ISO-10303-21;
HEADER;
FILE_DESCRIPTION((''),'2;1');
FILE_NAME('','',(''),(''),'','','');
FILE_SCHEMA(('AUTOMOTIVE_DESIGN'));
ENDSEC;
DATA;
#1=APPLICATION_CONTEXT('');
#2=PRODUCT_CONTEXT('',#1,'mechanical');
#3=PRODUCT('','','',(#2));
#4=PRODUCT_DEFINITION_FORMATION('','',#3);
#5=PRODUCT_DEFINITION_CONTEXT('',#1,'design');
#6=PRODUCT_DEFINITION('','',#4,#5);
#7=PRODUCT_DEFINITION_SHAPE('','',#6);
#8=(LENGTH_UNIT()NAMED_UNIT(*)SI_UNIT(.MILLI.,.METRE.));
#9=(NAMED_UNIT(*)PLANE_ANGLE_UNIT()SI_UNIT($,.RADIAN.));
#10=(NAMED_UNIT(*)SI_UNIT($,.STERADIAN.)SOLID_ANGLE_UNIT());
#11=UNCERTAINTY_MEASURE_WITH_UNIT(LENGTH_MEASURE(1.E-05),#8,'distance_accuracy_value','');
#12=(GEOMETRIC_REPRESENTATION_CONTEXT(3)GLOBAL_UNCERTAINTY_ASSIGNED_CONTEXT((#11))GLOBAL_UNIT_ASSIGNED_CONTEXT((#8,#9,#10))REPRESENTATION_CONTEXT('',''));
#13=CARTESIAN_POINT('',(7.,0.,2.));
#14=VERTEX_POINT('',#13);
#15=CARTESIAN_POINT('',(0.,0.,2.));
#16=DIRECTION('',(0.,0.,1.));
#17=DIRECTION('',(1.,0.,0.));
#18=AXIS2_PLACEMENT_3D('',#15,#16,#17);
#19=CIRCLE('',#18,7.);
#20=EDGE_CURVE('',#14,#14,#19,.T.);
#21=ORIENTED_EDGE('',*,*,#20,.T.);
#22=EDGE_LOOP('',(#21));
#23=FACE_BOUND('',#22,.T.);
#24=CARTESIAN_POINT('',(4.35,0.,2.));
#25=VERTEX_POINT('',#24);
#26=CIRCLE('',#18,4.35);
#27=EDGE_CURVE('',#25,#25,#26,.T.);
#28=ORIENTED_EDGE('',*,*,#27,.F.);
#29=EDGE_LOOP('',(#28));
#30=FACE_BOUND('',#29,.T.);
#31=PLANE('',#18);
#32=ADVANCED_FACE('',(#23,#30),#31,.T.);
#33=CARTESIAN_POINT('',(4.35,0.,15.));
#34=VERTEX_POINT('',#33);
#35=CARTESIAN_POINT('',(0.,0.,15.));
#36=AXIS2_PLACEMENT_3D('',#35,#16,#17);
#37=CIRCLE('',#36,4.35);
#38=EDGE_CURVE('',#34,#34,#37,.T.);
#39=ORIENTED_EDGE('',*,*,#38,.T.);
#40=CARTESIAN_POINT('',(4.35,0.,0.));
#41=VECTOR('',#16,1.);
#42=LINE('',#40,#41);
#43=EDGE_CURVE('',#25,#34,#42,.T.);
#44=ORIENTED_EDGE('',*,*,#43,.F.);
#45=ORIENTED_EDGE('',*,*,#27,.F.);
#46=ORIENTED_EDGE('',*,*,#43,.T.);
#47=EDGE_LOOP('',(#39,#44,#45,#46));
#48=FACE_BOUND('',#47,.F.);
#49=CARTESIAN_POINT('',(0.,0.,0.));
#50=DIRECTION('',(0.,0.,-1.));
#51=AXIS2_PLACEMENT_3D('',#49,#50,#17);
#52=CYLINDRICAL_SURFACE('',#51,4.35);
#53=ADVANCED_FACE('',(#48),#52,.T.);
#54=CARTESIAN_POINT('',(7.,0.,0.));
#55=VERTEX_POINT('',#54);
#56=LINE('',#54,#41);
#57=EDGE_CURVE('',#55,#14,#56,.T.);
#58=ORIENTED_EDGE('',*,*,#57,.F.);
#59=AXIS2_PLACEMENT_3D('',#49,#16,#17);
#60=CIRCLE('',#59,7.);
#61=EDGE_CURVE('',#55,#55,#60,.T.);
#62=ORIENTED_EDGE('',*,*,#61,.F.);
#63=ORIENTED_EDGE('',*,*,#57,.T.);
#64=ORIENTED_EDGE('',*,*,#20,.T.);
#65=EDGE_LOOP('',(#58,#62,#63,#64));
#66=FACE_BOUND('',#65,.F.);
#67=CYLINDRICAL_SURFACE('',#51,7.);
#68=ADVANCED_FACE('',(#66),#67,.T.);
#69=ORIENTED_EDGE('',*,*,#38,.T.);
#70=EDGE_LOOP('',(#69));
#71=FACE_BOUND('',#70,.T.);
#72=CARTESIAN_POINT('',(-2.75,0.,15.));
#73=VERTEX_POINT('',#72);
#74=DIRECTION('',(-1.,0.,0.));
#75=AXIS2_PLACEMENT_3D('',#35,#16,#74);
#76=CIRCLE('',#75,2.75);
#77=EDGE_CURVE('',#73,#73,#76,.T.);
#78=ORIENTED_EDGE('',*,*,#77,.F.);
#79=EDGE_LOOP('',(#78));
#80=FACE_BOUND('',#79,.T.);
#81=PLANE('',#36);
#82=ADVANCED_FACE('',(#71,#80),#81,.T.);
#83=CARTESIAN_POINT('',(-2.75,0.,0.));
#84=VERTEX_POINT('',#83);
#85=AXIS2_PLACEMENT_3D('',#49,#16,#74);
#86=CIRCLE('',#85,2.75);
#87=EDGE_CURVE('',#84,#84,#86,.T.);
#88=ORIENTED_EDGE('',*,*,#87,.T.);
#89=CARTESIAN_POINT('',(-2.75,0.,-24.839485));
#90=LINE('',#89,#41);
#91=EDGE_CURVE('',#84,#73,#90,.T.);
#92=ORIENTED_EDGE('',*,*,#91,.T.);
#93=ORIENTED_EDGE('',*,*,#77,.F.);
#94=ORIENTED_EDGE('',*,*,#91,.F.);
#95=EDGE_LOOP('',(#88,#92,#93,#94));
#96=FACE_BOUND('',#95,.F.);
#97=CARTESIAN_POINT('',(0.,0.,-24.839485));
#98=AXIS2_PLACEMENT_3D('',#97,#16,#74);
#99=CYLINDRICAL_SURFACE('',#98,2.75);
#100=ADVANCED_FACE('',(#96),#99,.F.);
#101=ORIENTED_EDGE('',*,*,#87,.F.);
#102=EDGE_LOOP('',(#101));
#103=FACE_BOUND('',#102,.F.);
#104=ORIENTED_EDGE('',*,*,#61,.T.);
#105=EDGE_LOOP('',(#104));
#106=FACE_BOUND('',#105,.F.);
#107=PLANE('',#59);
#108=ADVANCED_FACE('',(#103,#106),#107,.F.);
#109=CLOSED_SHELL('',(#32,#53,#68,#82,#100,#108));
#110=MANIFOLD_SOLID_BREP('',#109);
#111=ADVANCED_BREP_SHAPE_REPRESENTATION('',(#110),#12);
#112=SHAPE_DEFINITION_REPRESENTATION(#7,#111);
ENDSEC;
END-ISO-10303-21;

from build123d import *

# Parameters (mm, degrees)
F0_R     = 4.35
F1_DEPTH = 15
F0_R_2   = 7
F2_DEPTH = 2
F3_D     = 5.5


with BuildPart() as f1:
    # F0 (on Top) → F1 (new body)
    with BuildSketch(Plane.XY):
        Circle(F0_R)
    extrude(amount=F1_DEPTH)

    # F0 (on Top) → F2 (join)
    with BuildSketch(Plane.XY):
        Circle(F0_R_2)
        Circle(F0_R, mode=Mode.SUBTRACT)
    extrude(amount=F2_DEPTH)

    # F3 (through all)
    with Locations(Plane(origin=(0, 0, 0), x_dir=(1, 0, 0), z_dir=(0, 0, -1))):
        with Locations((0, 0)):
            Hole(F3_D / 2)


solid = f1.part
